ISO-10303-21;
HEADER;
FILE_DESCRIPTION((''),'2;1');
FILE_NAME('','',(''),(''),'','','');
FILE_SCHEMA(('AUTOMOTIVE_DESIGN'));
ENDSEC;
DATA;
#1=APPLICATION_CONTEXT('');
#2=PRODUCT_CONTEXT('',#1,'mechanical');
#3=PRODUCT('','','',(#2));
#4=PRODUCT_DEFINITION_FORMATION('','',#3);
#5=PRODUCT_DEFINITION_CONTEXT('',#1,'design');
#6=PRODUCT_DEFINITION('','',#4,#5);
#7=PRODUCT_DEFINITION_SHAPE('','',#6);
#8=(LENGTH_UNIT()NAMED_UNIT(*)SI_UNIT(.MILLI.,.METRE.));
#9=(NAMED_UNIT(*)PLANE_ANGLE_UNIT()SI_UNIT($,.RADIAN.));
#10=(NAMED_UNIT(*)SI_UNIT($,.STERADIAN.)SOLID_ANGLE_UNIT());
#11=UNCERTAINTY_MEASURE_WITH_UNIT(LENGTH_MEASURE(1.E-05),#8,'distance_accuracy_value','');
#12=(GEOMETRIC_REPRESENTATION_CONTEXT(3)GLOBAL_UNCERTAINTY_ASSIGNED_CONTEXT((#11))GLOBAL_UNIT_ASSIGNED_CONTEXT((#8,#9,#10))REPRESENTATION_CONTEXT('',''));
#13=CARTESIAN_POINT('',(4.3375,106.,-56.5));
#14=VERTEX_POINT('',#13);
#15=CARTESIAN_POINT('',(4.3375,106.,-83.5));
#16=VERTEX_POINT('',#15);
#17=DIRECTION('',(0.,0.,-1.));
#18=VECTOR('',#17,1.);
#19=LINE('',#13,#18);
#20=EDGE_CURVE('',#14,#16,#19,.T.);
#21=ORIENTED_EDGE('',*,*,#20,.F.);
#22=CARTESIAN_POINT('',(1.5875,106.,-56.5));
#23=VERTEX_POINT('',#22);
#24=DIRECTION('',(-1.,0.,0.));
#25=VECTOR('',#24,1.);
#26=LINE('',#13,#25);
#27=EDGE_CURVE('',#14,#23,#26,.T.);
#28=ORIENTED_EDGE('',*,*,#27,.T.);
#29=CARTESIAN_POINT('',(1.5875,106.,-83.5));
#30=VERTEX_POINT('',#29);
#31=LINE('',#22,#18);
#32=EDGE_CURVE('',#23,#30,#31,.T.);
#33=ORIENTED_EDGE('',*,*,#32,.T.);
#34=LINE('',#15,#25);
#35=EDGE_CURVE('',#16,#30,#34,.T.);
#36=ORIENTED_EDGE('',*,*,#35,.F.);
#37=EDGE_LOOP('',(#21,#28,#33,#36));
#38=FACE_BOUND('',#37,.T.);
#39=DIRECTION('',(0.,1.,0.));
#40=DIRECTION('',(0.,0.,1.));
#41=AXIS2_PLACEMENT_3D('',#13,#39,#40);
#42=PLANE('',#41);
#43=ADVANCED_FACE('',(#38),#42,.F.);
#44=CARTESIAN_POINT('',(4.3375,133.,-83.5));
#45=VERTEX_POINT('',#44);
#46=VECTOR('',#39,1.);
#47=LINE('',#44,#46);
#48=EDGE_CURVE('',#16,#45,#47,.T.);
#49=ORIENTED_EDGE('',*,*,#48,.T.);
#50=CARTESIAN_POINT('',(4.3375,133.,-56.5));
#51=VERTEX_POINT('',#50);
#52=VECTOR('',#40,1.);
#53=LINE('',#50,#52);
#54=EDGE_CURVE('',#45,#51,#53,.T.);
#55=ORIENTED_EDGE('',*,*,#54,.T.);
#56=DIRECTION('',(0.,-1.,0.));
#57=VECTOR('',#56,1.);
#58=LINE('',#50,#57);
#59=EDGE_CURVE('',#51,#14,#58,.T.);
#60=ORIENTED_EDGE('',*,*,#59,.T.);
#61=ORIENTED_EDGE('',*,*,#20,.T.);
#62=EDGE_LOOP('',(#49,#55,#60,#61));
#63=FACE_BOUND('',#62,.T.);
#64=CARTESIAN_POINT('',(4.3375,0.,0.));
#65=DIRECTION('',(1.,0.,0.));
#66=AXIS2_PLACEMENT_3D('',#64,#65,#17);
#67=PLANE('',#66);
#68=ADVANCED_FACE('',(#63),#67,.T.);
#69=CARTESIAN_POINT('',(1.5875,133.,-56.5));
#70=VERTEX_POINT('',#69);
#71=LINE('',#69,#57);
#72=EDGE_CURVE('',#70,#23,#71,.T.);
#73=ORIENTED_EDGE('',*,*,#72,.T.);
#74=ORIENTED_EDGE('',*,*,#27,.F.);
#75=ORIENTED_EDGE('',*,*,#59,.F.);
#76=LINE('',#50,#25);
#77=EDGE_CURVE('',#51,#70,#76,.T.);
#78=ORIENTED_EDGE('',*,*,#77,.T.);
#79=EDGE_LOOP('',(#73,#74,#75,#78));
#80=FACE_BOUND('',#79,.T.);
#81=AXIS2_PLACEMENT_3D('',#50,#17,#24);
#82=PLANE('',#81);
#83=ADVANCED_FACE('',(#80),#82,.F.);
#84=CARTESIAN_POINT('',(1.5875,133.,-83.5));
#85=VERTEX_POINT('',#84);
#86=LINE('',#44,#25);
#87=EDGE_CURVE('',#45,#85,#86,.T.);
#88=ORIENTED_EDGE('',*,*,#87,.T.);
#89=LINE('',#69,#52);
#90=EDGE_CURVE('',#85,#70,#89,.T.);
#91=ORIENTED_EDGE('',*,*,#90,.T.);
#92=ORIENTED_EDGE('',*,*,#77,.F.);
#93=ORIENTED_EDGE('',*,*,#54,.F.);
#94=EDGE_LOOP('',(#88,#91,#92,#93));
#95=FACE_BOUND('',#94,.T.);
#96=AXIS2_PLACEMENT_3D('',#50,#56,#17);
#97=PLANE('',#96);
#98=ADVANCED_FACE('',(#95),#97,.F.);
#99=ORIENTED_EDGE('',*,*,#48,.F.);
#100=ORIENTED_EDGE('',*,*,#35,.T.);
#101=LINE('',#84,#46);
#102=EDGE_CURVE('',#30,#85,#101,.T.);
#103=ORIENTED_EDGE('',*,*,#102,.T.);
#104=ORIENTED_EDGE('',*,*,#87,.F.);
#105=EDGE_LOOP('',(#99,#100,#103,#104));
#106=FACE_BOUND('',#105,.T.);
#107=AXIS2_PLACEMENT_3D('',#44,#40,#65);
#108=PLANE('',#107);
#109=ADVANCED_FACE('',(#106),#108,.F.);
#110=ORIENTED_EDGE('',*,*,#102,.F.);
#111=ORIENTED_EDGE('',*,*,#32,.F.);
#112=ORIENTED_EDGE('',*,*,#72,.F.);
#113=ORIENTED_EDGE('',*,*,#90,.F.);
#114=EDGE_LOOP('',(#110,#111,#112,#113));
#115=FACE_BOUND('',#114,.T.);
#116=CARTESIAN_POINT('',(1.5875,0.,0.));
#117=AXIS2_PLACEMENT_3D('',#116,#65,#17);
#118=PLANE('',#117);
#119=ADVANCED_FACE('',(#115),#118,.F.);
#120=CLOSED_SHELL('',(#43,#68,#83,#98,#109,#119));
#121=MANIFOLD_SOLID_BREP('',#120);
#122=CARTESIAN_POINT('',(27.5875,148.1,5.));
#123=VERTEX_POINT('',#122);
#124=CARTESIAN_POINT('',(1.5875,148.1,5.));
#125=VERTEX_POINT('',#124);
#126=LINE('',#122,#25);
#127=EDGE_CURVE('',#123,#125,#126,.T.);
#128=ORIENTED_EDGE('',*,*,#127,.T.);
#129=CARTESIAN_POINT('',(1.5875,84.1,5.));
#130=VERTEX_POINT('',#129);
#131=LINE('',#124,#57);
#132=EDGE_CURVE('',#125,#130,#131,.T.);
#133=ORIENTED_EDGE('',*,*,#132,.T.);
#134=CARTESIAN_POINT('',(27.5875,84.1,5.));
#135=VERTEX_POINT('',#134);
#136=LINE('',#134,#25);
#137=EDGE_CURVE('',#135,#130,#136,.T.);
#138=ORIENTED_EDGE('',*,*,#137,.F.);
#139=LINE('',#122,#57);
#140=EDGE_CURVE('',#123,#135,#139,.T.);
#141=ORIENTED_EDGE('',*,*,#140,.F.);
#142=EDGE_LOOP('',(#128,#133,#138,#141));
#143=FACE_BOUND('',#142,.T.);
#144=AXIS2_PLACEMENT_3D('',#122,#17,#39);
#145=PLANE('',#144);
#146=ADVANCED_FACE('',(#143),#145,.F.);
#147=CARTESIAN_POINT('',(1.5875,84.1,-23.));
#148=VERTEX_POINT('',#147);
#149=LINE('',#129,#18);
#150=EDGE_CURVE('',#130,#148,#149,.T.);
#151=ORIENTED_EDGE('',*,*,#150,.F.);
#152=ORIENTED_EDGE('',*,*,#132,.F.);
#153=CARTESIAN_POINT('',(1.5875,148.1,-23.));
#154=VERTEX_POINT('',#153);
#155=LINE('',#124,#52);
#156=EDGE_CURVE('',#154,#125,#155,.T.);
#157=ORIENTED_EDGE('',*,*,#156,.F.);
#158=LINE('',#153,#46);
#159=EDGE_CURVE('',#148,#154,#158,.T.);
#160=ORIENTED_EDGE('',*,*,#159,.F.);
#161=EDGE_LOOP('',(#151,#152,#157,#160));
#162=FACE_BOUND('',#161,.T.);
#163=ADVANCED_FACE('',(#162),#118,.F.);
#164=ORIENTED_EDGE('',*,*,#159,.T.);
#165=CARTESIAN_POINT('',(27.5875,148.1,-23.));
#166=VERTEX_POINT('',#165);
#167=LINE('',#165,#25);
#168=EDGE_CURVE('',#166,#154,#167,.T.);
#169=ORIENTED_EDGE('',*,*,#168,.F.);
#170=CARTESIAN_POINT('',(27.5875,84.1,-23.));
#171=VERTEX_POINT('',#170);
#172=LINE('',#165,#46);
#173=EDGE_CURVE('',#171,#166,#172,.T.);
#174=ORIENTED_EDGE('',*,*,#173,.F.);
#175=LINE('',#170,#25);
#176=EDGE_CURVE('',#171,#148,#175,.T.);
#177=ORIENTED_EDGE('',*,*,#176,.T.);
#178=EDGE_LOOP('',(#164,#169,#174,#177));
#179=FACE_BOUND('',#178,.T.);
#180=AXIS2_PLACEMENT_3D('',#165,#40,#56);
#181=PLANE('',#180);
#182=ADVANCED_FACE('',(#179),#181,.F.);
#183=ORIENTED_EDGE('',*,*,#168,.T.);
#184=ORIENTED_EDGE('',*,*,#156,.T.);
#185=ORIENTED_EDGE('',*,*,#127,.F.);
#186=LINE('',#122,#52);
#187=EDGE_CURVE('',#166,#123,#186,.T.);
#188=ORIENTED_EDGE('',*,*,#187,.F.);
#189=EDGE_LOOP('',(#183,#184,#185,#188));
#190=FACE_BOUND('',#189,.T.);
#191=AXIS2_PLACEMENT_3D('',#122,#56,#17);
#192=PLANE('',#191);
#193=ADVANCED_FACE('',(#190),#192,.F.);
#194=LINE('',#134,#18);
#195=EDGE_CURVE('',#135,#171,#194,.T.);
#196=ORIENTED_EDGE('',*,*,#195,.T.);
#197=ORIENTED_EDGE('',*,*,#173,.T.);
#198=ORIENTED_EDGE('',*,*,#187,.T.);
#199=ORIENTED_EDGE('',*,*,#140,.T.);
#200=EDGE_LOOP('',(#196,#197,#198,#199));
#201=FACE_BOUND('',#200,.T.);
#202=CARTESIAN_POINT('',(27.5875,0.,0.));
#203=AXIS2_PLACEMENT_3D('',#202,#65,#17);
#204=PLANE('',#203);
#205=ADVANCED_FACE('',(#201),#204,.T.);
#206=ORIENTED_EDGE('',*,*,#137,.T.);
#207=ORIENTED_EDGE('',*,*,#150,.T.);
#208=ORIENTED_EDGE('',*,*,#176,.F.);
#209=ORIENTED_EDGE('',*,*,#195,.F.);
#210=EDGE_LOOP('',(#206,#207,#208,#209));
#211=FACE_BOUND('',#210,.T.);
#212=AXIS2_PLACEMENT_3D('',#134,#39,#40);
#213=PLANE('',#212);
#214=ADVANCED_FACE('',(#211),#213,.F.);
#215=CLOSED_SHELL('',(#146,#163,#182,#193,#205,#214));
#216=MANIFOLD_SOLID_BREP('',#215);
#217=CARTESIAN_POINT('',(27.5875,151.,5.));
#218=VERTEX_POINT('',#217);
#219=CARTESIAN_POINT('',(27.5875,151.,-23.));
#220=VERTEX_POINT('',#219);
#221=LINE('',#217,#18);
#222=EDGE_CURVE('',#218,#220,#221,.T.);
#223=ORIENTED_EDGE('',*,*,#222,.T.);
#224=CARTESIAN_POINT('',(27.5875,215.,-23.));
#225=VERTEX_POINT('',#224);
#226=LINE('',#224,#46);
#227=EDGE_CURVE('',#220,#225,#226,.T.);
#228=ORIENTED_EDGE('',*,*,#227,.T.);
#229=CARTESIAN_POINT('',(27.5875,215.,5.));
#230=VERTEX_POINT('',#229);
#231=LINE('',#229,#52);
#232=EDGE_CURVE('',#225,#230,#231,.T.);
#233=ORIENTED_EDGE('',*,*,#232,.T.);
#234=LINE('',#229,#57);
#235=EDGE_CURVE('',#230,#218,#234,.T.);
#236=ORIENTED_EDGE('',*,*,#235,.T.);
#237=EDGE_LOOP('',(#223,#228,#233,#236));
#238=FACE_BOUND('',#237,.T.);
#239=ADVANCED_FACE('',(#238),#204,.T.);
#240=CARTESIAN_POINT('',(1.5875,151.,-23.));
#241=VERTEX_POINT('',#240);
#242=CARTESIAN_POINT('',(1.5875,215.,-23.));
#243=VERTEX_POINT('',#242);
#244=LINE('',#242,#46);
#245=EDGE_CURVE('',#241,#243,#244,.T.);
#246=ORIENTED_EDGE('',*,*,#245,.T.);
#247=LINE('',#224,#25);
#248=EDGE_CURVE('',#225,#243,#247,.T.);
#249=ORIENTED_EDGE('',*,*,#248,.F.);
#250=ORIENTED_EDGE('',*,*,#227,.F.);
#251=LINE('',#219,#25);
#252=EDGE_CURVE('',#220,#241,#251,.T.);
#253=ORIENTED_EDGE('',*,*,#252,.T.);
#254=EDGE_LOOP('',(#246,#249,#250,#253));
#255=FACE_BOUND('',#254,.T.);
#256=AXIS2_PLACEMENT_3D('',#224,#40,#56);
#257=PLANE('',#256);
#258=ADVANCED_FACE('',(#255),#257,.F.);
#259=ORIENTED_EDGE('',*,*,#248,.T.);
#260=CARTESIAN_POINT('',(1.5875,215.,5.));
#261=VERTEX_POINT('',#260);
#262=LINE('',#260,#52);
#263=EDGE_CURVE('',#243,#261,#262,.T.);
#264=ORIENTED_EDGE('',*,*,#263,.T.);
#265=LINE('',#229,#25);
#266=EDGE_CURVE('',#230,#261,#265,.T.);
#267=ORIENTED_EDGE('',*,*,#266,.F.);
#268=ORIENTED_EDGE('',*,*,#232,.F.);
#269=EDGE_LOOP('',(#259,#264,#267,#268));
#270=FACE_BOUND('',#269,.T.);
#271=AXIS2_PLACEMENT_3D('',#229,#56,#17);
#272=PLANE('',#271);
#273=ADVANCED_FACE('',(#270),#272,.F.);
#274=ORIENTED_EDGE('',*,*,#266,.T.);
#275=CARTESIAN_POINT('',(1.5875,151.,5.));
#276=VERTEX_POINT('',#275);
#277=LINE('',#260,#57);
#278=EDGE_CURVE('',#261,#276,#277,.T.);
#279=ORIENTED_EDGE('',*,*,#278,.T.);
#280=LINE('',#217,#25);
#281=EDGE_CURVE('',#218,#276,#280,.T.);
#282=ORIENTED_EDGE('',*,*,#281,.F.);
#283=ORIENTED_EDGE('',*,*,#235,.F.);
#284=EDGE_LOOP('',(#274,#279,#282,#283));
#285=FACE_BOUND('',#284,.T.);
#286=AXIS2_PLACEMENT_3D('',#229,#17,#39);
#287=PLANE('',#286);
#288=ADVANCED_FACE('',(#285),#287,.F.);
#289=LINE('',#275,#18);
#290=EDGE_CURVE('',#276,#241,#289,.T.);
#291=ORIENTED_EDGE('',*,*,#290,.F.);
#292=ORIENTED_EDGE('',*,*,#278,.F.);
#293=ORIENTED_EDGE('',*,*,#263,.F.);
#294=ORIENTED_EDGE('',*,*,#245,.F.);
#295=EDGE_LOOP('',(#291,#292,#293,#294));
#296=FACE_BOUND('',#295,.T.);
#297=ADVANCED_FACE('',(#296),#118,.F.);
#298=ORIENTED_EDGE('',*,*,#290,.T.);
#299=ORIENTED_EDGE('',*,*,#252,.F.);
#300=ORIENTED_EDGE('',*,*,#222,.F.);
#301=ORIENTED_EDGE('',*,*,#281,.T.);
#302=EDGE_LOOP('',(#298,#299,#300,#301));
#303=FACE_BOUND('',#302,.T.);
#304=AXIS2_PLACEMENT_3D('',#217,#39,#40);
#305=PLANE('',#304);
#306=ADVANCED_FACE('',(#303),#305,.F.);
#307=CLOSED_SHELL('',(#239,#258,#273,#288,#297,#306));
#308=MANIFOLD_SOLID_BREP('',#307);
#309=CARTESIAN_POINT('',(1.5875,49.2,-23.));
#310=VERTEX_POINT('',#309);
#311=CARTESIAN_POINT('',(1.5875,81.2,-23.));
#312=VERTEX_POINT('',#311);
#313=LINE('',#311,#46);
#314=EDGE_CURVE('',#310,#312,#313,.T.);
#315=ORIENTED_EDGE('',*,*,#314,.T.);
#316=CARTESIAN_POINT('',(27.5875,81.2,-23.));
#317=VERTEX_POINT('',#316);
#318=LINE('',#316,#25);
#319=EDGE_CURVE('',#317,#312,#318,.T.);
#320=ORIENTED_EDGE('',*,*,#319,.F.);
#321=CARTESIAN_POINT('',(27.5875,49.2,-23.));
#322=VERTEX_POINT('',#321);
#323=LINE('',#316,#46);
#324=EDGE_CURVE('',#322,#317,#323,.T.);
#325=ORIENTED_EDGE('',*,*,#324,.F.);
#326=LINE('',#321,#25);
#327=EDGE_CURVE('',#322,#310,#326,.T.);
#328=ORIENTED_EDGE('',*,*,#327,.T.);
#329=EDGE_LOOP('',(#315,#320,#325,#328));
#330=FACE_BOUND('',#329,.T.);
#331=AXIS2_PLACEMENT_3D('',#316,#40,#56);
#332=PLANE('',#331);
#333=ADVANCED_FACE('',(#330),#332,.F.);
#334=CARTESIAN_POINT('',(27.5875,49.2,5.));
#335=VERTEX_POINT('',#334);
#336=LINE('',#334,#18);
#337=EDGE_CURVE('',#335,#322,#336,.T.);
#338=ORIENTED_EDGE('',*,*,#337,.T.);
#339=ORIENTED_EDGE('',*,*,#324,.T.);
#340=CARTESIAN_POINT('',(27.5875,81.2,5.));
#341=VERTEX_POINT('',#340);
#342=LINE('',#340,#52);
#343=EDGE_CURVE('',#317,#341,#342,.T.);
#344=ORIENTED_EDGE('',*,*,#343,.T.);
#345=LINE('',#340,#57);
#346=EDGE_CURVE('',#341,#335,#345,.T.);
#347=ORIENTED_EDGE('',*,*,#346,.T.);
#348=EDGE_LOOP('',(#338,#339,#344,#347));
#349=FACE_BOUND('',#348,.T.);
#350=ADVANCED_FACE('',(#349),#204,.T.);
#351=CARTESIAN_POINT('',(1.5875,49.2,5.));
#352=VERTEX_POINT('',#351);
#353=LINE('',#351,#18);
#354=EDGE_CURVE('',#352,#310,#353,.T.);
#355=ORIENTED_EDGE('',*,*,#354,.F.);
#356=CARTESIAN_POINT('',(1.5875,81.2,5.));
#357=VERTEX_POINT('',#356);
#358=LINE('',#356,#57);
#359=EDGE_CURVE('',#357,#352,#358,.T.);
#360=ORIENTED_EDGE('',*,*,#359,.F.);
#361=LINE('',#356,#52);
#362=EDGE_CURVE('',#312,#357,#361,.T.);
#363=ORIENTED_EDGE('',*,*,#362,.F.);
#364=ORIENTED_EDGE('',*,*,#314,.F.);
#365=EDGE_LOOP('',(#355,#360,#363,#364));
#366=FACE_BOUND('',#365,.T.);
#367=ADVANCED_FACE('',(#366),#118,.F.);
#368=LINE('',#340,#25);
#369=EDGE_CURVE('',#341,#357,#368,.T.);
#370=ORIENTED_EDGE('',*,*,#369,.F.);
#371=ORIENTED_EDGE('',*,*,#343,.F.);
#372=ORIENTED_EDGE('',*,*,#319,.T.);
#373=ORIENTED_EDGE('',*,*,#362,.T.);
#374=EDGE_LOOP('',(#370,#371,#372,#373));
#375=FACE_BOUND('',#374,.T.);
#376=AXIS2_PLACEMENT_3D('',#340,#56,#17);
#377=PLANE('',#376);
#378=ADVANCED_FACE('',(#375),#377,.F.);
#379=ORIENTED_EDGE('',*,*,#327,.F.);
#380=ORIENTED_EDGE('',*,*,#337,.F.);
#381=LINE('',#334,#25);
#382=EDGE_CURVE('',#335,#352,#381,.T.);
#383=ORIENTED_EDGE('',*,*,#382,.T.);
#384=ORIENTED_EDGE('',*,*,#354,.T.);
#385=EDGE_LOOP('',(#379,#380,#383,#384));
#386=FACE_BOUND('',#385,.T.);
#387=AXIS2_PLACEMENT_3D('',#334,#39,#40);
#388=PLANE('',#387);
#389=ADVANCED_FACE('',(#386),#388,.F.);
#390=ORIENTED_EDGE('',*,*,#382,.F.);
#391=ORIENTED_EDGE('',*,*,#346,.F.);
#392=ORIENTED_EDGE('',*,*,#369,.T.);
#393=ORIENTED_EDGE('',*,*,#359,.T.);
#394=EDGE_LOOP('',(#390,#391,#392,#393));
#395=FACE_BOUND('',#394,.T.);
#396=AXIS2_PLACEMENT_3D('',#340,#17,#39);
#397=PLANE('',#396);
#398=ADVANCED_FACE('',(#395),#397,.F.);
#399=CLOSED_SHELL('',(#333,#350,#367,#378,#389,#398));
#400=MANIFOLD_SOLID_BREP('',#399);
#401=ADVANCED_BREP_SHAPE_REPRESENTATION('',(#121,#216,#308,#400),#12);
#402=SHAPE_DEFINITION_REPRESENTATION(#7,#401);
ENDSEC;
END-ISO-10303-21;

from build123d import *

# Parameters (mm, degrees)
SKETCH2_W             = 28
SKETCH2_H             = 64
BOSS_EXTRUDE2_DEPTH   = 26
BOSS_EXTRUDE2_2_DEPTH = 26
SKETCH2_H_2           = 32
BOSS_EXTRUDE2_3_DEPTH = 26
SKETCH3_W             = 27
SKETCH3_H             = 27
BOSS_EXTRUDE3_DEPTH   = 2.75


with BuildPart() as part:
    # Sketch2 → Boss-Extrude2 (new body)
    with BuildSketch(Plane(origin=(1.5875, 0, 0), x_dir=(0, 0, -1), z_dir=(1, 0, 0))):
        with Locations((9, 183)):
            Rectangle(SKETCH2_W, SKETCH2_H)
    extrude(amount=BOSS_EXTRUDE2_DEPTH)


with BuildPart() as body_2:
    # Sketch2 → Boss-Extrude2 2 (new body)
    with BuildSketch(Plane(origin=(1.5875, 0, 0), x_dir=(0, 0, -1), z_dir=(1, 0, 0))):
        with Locations((9, 116.1)):
            Rectangle(SKETCH2_W, SKETCH2_H)
    extrude(amount=BOSS_EXTRUDE2_2_DEPTH)


with BuildPart() as body_3:
    # Sketch2 → Boss-Extrude2 3 (new body)
    with BuildSketch(Plane(origin=(1.5875, 0, 0), x_dir=(0, 0, -1), z_dir=(1, 0, 0))):
        with Locations((9, 65.2)):
            Rectangle(SKETCH2_W, SKETCH2_H_2)
    extrude(amount=BOSS_EXTRUDE2_3_DEPTH)


with BuildPart() as body_4:
    # Sketch3 → Boss-Extrude3 (new body)
    with BuildSketch(Plane(origin=(1.5875, 0, 0), x_dir=(0, 0, -1), z_dir=(1, 0, 0))):
        with Locations((70, 119.5)):
            Rectangle(SKETCH3_W, SKETCH3_H)
    extrude(amount=BOSS_EXTRUDE3_DEPTH)


solid = Compound([part.part, body_2.part, body_3.part, body_4.part])
